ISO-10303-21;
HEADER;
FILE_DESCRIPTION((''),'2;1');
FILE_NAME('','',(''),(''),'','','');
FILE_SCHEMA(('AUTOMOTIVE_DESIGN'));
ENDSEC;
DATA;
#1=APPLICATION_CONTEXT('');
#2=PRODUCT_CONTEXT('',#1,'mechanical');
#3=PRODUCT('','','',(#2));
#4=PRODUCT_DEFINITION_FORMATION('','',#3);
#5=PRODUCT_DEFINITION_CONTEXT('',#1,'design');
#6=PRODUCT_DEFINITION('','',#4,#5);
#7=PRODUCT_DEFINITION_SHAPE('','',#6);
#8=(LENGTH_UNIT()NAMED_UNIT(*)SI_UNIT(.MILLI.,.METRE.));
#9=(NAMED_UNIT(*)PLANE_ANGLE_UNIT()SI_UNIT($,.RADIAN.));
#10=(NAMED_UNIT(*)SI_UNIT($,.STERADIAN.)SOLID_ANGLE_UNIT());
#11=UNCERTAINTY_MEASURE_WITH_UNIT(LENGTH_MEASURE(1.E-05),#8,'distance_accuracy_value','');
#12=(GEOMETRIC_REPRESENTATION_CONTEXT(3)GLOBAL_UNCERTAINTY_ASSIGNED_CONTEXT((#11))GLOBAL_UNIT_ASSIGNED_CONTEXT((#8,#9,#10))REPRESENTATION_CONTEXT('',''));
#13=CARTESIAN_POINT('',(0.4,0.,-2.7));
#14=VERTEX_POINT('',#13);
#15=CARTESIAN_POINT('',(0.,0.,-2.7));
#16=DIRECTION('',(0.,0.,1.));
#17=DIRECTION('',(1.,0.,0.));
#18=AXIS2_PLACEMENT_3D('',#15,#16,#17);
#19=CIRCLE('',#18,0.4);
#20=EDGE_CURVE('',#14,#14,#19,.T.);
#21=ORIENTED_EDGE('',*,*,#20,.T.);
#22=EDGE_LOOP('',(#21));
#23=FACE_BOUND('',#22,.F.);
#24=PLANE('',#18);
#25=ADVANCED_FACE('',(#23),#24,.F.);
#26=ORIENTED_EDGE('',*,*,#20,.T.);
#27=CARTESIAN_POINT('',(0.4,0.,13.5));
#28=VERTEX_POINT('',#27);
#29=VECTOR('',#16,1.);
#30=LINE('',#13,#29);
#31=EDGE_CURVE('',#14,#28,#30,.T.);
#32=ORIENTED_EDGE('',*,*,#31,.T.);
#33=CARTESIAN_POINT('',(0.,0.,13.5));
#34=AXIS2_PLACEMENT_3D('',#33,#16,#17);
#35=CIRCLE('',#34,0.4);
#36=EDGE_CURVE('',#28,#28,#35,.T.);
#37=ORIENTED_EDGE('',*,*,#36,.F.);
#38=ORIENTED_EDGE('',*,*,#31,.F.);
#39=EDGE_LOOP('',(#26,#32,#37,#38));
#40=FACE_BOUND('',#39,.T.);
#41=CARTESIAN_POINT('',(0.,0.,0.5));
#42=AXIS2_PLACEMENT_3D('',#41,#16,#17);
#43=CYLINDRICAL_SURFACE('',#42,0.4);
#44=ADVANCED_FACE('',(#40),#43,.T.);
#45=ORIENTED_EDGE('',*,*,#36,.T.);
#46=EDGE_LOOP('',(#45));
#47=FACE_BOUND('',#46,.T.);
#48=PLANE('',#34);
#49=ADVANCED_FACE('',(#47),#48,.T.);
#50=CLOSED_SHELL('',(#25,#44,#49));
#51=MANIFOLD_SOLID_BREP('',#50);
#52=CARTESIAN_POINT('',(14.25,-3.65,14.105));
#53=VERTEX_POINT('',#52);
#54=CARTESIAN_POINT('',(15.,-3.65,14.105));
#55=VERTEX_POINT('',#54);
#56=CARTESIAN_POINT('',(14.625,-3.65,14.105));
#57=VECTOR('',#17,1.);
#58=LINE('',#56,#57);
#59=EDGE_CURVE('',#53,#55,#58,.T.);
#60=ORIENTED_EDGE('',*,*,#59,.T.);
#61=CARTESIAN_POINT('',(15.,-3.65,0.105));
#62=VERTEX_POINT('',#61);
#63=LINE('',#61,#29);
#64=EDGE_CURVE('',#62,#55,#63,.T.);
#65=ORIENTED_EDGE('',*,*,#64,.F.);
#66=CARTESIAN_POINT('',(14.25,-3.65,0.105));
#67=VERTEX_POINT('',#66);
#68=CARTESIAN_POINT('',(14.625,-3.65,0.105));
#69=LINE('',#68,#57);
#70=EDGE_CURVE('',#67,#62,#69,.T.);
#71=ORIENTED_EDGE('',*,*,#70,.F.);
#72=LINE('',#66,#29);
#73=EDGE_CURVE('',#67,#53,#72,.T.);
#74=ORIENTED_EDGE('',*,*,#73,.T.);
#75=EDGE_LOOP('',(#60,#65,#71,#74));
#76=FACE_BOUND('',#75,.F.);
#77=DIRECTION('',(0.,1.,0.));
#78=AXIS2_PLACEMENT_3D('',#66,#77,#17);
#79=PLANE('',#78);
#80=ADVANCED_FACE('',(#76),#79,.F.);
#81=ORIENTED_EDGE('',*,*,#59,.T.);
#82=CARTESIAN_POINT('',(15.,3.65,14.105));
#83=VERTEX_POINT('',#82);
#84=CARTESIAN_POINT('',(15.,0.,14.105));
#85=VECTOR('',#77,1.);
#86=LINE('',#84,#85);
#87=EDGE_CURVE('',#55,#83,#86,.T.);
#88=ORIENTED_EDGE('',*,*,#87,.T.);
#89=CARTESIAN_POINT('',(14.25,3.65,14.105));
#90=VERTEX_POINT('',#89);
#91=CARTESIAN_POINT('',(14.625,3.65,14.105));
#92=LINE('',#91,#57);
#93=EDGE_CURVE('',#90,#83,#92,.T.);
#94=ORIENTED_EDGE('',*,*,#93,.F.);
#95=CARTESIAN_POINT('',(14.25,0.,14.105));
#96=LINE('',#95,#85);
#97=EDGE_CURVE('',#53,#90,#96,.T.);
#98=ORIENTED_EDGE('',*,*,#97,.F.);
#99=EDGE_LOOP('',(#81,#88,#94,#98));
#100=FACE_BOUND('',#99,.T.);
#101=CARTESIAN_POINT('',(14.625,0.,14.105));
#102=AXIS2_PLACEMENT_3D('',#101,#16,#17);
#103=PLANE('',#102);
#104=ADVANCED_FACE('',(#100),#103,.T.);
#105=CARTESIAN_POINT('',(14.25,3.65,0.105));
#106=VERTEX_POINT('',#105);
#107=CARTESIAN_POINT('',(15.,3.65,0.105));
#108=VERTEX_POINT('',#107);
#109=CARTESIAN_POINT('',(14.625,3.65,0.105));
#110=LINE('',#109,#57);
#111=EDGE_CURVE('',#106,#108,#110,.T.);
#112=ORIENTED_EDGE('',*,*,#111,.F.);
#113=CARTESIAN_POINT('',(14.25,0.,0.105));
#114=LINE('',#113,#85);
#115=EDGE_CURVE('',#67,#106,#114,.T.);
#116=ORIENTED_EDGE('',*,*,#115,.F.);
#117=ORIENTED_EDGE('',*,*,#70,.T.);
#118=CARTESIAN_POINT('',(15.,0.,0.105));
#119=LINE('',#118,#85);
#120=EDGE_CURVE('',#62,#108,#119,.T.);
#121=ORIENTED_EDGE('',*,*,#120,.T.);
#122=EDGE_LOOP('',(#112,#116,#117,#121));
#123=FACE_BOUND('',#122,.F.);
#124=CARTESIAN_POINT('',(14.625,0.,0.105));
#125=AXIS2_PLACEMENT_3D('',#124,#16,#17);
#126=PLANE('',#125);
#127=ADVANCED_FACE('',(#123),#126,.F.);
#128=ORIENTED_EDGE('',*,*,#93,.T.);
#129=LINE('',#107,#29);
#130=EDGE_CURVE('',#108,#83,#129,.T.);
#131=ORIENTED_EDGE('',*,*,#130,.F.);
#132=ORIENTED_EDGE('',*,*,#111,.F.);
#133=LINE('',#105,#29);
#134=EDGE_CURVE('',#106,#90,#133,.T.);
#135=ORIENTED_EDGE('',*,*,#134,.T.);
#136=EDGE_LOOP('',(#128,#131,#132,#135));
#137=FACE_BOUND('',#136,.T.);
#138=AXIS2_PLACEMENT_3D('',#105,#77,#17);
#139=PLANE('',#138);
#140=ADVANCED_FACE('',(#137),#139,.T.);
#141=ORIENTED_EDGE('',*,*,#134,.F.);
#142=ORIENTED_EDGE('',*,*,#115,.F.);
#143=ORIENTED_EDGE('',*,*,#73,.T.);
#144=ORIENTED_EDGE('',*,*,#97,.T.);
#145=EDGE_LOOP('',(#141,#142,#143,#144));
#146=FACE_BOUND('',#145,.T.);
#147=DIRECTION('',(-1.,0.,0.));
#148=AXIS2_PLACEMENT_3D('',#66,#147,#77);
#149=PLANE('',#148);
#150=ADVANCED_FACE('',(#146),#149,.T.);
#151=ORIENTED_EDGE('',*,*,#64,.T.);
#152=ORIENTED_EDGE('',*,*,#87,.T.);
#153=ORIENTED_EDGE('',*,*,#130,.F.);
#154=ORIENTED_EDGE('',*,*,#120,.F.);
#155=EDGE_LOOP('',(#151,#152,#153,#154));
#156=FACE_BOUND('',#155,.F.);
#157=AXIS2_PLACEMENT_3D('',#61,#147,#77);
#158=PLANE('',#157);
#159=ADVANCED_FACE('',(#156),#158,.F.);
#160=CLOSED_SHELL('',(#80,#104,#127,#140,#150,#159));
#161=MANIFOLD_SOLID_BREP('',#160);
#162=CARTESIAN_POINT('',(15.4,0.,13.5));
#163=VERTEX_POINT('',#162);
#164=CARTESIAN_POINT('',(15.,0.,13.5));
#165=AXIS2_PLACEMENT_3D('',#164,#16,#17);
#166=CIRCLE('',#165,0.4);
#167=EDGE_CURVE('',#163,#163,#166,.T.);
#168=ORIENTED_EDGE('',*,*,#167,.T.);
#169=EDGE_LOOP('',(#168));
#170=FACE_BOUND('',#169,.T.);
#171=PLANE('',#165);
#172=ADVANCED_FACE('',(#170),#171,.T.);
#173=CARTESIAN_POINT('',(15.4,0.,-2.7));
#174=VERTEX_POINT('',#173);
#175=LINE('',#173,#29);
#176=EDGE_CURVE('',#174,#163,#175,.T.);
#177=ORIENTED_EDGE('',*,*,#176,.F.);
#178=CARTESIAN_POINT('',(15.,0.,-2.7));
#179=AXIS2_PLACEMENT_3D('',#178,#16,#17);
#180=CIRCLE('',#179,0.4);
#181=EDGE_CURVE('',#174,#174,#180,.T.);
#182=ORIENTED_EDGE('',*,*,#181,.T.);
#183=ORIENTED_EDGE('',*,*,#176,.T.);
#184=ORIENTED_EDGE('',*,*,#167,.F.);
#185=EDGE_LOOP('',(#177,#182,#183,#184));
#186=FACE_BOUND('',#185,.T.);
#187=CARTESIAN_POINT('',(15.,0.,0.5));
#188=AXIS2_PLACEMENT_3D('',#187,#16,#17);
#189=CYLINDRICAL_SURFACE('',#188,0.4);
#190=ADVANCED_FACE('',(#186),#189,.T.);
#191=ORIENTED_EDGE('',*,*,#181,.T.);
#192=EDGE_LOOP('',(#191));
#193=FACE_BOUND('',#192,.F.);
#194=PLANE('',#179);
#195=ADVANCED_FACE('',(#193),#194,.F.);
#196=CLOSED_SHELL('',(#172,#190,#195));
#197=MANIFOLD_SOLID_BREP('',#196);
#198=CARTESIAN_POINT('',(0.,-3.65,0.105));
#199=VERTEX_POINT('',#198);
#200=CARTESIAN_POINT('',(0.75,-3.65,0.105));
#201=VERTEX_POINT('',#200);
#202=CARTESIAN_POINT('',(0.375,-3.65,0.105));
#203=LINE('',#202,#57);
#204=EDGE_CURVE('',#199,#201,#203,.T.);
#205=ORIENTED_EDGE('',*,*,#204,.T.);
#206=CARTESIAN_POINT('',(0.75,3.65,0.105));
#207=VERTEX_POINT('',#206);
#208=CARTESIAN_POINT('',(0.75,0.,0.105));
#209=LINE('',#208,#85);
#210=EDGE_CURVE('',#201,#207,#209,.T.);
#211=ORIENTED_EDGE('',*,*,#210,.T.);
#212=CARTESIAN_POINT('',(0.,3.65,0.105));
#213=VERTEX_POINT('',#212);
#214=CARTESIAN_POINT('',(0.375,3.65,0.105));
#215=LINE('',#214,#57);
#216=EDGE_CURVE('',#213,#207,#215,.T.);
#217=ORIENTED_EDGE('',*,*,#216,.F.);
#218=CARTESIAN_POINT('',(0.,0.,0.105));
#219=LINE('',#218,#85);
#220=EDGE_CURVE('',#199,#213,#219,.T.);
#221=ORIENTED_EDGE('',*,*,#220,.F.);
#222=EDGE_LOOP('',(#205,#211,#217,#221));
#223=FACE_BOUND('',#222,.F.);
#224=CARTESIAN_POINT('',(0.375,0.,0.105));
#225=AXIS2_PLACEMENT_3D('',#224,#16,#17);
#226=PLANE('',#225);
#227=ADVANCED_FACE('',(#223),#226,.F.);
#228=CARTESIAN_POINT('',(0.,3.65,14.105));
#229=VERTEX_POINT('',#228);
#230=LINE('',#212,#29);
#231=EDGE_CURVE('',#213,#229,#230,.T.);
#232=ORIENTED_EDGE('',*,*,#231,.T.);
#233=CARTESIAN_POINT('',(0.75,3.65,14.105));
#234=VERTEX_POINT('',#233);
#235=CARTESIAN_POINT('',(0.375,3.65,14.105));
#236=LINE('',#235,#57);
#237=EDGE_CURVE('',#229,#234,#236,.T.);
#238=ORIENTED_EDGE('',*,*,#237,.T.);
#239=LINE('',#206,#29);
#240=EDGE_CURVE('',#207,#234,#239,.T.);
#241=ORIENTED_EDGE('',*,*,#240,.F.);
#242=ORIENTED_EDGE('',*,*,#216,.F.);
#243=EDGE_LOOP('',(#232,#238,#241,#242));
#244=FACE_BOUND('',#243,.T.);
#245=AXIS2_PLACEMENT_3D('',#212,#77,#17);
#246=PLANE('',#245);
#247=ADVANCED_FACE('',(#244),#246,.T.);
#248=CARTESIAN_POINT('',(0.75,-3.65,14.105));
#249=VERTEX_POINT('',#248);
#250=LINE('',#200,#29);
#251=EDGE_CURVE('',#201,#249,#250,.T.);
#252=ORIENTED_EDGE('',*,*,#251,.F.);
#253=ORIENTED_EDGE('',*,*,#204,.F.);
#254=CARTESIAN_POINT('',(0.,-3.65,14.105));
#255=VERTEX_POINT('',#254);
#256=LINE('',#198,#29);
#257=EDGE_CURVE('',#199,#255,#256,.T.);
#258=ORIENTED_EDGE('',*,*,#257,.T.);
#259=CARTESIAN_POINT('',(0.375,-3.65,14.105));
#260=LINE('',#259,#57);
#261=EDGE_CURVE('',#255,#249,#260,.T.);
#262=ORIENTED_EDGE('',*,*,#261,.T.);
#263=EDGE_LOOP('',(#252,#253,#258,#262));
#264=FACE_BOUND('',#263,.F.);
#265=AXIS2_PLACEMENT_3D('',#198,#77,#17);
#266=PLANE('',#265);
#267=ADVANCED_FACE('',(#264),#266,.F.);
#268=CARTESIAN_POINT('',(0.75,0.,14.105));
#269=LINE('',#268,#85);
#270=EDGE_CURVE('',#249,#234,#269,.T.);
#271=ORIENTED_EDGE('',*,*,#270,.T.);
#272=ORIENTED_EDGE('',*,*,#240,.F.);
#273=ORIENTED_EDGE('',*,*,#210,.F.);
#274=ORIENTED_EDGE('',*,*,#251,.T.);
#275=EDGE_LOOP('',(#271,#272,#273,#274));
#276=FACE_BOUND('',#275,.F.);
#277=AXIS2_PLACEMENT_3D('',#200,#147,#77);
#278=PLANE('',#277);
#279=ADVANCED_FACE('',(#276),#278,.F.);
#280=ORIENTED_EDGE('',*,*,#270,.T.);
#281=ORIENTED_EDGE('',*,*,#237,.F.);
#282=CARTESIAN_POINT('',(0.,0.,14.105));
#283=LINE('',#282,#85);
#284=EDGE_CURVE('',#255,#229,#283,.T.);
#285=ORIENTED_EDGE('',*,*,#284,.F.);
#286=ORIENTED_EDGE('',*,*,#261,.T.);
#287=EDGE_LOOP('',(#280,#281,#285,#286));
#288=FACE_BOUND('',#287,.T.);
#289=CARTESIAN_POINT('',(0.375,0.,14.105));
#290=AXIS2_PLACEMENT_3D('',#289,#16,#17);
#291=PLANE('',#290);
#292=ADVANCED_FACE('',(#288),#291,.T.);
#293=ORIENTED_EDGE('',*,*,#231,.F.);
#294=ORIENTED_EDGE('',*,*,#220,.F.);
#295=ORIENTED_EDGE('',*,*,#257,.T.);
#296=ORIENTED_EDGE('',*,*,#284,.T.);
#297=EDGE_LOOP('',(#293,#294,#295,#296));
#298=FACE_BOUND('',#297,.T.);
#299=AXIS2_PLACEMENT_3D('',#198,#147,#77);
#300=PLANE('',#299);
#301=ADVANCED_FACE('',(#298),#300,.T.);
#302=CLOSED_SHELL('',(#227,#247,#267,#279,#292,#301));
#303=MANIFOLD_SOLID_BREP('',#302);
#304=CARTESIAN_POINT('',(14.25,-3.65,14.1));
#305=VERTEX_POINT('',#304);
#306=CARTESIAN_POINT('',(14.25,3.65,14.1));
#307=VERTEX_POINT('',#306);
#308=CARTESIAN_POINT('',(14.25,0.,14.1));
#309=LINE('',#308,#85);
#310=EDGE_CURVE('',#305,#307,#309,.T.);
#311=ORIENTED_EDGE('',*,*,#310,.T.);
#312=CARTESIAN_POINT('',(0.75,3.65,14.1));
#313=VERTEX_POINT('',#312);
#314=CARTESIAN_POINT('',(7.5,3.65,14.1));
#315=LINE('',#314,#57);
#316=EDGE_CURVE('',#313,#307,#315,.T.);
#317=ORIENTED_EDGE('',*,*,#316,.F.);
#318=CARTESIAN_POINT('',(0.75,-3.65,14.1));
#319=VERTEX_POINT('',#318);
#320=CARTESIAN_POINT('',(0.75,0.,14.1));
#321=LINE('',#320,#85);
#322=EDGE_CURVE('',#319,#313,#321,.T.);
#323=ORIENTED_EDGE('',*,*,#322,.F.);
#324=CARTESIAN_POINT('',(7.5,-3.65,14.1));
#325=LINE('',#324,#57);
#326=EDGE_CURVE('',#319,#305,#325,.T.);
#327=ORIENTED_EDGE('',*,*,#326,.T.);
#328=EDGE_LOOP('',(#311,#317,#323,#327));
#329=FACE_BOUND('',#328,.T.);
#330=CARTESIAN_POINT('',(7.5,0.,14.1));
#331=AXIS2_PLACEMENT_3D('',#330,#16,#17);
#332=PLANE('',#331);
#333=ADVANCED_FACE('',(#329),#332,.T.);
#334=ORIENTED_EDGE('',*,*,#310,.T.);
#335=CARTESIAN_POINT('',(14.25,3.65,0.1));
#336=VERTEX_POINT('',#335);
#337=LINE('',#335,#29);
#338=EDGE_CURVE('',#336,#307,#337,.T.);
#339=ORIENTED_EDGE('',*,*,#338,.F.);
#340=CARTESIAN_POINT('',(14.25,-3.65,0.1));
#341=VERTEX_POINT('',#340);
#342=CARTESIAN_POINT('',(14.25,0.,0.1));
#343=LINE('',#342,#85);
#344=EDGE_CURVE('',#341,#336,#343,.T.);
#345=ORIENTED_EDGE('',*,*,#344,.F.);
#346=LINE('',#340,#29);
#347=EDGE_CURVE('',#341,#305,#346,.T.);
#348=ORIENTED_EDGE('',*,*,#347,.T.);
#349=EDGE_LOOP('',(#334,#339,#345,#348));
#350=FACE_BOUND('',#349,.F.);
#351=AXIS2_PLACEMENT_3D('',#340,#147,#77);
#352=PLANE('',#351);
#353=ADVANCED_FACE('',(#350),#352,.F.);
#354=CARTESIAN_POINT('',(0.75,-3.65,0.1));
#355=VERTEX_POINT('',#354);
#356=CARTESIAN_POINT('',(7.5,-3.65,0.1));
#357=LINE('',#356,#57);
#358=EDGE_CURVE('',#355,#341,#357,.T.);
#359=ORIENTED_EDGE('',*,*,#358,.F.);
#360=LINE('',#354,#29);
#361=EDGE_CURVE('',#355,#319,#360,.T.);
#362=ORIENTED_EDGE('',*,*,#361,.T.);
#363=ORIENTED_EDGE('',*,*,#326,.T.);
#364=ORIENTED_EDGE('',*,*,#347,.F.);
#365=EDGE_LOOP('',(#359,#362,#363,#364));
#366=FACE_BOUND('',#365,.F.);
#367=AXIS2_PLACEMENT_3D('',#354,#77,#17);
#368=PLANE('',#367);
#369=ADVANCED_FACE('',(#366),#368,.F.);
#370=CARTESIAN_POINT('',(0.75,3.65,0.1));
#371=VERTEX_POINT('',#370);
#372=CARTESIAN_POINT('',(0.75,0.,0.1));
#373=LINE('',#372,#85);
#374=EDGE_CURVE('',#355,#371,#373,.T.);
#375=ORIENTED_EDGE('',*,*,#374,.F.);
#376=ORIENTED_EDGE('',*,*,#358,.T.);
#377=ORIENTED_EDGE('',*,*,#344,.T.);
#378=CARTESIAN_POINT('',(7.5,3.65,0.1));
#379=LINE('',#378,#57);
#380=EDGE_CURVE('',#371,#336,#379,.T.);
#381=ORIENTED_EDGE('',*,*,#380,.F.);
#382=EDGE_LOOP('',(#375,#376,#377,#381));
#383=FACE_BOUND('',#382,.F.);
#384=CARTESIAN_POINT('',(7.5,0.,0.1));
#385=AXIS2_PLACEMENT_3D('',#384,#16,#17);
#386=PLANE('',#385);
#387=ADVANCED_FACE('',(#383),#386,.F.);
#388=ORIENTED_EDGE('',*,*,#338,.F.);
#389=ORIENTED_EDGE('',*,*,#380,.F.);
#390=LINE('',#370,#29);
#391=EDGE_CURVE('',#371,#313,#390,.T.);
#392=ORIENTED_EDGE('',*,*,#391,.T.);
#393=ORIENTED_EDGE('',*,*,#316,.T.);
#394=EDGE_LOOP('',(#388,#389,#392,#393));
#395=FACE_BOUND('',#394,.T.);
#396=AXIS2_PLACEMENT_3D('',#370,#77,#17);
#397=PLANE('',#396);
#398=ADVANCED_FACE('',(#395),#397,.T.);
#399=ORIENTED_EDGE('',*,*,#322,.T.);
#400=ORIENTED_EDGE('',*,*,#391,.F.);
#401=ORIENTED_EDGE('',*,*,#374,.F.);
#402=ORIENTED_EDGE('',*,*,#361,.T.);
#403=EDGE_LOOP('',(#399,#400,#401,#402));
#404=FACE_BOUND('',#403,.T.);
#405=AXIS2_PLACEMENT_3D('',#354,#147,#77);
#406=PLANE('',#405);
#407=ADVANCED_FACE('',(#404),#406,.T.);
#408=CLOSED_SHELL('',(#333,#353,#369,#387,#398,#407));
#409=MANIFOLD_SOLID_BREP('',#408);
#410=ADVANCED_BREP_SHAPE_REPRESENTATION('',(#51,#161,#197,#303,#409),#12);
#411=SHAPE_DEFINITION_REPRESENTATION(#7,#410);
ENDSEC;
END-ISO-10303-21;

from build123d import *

# Parameters (mm, degrees)
SKETCH_W          = 13.5
SKETCH_H          = 7.3
PAD_DEPTH         = 14
SKETCH001_R       = 0.4
PAD001_DEPTH      = 13
PAD001_DEPTH_BACK = 3.2
SKETCH002_W       = 0.75
SKETCH002_H       = 7.3
PAD002_DEPTH      = 14


with BuildPart() as pad:
    # Sketch → Pad (new body)
    with BuildSketch(Plane.XY.offset(0.1)):
        with Locations((7.5, 0)):
            Rectangle(SKETCH_W, SKETCH_H)
    extrude(amount=PAD_DEPTH)


with BuildPart() as pad001:
    # Sketch001 → Pad001 (new body, two sides)
    with BuildSketch(Plane.XY.offset(0.5)) as pad001_sk:
        Circle(SKETCH001_R)
        with Locations((15, 0)):
            Circle(SKETCH001_R)
    extrude(amount=PAD001_DEPTH)
    extrude(pad001_sk.sketch, amount=-PAD001_DEPTH_BACK)


with BuildPart() as pad002:
    # Sketch002 → Pad002 (new body)
    with BuildSketch(Plane.XY.offset(0.105)):
        with Locations((0.375, 0)):
            Rectangle(SKETCH002_W, SKETCH002_H)
        with Locations((14.625, 0)):
            Rectangle(SKETCH002_W, SKETCH002_H)
    extrude(amount=PAD002_DEPTH)


solid = Compound([pad.part, pad001.part, pad002.part])
